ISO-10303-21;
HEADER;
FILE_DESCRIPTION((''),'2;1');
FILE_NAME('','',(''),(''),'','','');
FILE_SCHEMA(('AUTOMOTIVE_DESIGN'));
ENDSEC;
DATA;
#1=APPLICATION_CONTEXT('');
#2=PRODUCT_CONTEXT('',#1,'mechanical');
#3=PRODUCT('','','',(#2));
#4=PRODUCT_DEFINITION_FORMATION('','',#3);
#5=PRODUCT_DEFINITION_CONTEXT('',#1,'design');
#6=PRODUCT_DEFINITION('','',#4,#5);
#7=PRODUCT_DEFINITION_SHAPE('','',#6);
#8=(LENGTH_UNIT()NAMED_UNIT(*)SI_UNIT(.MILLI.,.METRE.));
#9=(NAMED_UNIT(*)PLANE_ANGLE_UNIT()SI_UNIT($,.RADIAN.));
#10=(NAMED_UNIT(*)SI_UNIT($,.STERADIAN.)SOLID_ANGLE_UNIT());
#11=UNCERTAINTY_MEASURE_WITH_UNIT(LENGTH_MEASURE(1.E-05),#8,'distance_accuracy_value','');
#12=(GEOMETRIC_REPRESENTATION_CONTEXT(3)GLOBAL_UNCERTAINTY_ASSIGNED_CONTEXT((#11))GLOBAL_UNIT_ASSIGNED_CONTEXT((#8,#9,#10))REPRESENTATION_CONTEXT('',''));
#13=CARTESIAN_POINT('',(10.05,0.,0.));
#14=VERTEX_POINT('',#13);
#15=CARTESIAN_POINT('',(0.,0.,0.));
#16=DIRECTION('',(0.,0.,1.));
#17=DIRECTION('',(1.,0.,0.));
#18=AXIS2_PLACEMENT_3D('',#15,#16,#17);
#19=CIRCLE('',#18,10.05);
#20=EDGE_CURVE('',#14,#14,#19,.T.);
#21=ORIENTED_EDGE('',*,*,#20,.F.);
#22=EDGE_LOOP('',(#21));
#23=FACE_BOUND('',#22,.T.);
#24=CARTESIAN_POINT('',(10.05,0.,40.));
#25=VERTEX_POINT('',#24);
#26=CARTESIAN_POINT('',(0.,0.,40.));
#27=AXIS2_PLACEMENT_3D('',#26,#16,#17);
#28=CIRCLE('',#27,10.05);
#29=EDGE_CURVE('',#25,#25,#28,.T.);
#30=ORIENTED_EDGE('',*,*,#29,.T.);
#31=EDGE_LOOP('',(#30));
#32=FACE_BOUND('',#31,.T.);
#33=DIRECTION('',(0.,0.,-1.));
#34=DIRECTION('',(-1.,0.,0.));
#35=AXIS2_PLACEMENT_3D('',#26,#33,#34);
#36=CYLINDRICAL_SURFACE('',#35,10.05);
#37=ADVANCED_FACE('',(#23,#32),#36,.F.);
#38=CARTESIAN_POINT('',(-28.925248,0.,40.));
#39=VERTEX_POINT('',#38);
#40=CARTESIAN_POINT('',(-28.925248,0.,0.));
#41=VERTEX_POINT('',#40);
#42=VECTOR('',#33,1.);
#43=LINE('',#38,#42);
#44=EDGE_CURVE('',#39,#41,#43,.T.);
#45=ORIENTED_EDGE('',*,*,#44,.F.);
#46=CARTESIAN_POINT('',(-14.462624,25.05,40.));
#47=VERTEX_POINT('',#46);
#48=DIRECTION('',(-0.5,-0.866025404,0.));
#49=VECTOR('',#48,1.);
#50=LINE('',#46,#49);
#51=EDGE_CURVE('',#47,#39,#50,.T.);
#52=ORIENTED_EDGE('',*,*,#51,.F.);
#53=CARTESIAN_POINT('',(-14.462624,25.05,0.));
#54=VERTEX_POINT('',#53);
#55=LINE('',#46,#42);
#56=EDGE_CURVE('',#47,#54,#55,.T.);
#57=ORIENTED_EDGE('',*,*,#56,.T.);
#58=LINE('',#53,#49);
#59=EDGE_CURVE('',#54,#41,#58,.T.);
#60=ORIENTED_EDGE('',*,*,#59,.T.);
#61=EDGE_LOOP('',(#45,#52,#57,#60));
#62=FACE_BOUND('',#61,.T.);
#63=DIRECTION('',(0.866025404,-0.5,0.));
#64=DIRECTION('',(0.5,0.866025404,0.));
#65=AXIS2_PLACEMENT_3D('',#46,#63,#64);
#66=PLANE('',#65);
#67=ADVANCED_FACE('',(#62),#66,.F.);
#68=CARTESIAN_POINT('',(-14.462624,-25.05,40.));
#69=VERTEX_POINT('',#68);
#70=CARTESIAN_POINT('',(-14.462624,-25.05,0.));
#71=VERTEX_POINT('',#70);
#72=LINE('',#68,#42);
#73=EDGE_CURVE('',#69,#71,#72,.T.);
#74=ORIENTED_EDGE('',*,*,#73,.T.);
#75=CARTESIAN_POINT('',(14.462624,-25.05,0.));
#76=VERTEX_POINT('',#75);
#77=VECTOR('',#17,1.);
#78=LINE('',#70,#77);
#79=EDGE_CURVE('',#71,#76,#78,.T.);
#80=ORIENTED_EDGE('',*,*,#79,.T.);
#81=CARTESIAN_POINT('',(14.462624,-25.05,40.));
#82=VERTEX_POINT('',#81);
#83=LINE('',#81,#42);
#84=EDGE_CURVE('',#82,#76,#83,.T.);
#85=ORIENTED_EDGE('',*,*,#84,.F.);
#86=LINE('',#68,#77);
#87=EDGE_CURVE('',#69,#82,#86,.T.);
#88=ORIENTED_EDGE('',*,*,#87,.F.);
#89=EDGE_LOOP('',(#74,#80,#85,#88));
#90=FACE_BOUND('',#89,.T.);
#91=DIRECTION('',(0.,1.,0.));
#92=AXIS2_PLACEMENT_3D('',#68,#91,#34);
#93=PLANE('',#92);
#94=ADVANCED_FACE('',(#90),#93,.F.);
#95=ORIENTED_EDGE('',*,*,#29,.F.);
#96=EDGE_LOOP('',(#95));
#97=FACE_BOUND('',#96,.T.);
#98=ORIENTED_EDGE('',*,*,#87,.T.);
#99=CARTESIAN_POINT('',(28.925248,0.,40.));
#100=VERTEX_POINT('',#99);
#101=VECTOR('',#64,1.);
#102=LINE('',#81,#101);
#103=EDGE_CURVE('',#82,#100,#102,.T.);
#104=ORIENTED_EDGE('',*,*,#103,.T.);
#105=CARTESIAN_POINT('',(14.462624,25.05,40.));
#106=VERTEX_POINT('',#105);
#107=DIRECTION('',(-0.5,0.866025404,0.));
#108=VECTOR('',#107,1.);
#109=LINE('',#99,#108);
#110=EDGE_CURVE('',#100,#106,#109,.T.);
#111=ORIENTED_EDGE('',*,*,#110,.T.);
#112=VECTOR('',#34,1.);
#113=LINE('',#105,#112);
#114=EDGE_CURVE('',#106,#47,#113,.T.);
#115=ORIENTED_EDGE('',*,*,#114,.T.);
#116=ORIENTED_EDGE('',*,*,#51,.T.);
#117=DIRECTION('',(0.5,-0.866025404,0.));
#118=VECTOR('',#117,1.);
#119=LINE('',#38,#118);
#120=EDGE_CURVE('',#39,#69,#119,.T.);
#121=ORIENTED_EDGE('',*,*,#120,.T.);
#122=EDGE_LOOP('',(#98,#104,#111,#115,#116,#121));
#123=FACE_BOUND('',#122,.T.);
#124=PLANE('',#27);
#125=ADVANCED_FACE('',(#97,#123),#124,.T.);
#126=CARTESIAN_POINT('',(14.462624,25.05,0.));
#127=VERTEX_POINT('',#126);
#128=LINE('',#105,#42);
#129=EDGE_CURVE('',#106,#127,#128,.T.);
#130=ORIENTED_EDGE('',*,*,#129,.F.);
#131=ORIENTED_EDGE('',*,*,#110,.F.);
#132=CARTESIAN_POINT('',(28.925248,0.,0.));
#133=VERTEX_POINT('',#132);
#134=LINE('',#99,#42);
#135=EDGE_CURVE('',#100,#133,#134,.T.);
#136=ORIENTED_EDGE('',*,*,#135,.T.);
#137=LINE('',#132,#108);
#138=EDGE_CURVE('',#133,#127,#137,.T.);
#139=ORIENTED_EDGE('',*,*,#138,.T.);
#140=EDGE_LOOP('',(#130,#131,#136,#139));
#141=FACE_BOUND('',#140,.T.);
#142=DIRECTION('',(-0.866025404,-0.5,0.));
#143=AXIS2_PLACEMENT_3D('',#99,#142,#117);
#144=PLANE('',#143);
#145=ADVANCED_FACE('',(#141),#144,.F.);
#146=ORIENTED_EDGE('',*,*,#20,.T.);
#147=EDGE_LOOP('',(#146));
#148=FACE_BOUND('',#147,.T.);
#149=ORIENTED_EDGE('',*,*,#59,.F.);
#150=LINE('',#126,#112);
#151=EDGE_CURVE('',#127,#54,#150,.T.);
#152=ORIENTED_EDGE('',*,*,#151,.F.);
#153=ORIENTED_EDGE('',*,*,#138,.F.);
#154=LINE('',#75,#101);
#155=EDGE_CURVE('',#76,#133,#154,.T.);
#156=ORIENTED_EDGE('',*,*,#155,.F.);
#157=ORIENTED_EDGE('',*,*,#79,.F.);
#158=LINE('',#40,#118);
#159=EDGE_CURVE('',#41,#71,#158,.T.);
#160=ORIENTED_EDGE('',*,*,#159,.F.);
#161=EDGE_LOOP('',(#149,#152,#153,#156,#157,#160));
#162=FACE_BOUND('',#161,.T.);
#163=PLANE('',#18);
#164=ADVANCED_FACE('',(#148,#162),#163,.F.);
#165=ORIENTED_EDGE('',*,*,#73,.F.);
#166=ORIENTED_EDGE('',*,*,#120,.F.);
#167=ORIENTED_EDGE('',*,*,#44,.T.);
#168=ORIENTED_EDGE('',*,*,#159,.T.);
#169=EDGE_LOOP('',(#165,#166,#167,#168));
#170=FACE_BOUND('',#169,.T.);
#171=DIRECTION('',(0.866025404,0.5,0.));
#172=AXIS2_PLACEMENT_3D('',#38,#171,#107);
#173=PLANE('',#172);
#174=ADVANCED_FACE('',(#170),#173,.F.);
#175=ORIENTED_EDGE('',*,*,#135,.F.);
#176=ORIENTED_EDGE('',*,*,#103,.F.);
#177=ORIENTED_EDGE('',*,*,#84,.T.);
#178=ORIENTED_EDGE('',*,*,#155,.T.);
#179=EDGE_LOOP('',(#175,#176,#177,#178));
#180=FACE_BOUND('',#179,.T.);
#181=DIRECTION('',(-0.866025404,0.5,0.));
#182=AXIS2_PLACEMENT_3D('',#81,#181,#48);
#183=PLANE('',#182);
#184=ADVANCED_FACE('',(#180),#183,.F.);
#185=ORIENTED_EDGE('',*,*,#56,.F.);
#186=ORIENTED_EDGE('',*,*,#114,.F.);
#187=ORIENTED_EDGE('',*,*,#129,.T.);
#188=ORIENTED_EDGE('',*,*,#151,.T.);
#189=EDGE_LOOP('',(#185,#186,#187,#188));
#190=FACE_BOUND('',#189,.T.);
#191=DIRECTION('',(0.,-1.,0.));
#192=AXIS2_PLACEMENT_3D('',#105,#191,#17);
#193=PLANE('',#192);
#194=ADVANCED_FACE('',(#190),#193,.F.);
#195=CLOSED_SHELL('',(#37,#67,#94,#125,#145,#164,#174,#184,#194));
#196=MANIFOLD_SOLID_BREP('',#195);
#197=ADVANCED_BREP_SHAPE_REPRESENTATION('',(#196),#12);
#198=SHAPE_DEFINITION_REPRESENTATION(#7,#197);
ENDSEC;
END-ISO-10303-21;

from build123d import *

# Parameters (mm, degrees)
SKETCH_1_R      = 10.05
EXTRUDE_1_DEPTH = 40


with BuildPart() as part:
    # 草图1 → 凸台-拉伸1 (new body)
    with BuildSketch(Plane.XY):
        Polygon((14.462624243, 25.05), (-14.462624243, 25.05), (-28.925248486, 0), (-14.462624243, -25.05), (14.462624243, -25.05), (28.925248486, 0), align=None)
        Circle(SKETCH_1_R, mode=Mode.SUBTRACT)
    extrude(amount=EXTRUDE_1_DEPTH)


solid = part.part
